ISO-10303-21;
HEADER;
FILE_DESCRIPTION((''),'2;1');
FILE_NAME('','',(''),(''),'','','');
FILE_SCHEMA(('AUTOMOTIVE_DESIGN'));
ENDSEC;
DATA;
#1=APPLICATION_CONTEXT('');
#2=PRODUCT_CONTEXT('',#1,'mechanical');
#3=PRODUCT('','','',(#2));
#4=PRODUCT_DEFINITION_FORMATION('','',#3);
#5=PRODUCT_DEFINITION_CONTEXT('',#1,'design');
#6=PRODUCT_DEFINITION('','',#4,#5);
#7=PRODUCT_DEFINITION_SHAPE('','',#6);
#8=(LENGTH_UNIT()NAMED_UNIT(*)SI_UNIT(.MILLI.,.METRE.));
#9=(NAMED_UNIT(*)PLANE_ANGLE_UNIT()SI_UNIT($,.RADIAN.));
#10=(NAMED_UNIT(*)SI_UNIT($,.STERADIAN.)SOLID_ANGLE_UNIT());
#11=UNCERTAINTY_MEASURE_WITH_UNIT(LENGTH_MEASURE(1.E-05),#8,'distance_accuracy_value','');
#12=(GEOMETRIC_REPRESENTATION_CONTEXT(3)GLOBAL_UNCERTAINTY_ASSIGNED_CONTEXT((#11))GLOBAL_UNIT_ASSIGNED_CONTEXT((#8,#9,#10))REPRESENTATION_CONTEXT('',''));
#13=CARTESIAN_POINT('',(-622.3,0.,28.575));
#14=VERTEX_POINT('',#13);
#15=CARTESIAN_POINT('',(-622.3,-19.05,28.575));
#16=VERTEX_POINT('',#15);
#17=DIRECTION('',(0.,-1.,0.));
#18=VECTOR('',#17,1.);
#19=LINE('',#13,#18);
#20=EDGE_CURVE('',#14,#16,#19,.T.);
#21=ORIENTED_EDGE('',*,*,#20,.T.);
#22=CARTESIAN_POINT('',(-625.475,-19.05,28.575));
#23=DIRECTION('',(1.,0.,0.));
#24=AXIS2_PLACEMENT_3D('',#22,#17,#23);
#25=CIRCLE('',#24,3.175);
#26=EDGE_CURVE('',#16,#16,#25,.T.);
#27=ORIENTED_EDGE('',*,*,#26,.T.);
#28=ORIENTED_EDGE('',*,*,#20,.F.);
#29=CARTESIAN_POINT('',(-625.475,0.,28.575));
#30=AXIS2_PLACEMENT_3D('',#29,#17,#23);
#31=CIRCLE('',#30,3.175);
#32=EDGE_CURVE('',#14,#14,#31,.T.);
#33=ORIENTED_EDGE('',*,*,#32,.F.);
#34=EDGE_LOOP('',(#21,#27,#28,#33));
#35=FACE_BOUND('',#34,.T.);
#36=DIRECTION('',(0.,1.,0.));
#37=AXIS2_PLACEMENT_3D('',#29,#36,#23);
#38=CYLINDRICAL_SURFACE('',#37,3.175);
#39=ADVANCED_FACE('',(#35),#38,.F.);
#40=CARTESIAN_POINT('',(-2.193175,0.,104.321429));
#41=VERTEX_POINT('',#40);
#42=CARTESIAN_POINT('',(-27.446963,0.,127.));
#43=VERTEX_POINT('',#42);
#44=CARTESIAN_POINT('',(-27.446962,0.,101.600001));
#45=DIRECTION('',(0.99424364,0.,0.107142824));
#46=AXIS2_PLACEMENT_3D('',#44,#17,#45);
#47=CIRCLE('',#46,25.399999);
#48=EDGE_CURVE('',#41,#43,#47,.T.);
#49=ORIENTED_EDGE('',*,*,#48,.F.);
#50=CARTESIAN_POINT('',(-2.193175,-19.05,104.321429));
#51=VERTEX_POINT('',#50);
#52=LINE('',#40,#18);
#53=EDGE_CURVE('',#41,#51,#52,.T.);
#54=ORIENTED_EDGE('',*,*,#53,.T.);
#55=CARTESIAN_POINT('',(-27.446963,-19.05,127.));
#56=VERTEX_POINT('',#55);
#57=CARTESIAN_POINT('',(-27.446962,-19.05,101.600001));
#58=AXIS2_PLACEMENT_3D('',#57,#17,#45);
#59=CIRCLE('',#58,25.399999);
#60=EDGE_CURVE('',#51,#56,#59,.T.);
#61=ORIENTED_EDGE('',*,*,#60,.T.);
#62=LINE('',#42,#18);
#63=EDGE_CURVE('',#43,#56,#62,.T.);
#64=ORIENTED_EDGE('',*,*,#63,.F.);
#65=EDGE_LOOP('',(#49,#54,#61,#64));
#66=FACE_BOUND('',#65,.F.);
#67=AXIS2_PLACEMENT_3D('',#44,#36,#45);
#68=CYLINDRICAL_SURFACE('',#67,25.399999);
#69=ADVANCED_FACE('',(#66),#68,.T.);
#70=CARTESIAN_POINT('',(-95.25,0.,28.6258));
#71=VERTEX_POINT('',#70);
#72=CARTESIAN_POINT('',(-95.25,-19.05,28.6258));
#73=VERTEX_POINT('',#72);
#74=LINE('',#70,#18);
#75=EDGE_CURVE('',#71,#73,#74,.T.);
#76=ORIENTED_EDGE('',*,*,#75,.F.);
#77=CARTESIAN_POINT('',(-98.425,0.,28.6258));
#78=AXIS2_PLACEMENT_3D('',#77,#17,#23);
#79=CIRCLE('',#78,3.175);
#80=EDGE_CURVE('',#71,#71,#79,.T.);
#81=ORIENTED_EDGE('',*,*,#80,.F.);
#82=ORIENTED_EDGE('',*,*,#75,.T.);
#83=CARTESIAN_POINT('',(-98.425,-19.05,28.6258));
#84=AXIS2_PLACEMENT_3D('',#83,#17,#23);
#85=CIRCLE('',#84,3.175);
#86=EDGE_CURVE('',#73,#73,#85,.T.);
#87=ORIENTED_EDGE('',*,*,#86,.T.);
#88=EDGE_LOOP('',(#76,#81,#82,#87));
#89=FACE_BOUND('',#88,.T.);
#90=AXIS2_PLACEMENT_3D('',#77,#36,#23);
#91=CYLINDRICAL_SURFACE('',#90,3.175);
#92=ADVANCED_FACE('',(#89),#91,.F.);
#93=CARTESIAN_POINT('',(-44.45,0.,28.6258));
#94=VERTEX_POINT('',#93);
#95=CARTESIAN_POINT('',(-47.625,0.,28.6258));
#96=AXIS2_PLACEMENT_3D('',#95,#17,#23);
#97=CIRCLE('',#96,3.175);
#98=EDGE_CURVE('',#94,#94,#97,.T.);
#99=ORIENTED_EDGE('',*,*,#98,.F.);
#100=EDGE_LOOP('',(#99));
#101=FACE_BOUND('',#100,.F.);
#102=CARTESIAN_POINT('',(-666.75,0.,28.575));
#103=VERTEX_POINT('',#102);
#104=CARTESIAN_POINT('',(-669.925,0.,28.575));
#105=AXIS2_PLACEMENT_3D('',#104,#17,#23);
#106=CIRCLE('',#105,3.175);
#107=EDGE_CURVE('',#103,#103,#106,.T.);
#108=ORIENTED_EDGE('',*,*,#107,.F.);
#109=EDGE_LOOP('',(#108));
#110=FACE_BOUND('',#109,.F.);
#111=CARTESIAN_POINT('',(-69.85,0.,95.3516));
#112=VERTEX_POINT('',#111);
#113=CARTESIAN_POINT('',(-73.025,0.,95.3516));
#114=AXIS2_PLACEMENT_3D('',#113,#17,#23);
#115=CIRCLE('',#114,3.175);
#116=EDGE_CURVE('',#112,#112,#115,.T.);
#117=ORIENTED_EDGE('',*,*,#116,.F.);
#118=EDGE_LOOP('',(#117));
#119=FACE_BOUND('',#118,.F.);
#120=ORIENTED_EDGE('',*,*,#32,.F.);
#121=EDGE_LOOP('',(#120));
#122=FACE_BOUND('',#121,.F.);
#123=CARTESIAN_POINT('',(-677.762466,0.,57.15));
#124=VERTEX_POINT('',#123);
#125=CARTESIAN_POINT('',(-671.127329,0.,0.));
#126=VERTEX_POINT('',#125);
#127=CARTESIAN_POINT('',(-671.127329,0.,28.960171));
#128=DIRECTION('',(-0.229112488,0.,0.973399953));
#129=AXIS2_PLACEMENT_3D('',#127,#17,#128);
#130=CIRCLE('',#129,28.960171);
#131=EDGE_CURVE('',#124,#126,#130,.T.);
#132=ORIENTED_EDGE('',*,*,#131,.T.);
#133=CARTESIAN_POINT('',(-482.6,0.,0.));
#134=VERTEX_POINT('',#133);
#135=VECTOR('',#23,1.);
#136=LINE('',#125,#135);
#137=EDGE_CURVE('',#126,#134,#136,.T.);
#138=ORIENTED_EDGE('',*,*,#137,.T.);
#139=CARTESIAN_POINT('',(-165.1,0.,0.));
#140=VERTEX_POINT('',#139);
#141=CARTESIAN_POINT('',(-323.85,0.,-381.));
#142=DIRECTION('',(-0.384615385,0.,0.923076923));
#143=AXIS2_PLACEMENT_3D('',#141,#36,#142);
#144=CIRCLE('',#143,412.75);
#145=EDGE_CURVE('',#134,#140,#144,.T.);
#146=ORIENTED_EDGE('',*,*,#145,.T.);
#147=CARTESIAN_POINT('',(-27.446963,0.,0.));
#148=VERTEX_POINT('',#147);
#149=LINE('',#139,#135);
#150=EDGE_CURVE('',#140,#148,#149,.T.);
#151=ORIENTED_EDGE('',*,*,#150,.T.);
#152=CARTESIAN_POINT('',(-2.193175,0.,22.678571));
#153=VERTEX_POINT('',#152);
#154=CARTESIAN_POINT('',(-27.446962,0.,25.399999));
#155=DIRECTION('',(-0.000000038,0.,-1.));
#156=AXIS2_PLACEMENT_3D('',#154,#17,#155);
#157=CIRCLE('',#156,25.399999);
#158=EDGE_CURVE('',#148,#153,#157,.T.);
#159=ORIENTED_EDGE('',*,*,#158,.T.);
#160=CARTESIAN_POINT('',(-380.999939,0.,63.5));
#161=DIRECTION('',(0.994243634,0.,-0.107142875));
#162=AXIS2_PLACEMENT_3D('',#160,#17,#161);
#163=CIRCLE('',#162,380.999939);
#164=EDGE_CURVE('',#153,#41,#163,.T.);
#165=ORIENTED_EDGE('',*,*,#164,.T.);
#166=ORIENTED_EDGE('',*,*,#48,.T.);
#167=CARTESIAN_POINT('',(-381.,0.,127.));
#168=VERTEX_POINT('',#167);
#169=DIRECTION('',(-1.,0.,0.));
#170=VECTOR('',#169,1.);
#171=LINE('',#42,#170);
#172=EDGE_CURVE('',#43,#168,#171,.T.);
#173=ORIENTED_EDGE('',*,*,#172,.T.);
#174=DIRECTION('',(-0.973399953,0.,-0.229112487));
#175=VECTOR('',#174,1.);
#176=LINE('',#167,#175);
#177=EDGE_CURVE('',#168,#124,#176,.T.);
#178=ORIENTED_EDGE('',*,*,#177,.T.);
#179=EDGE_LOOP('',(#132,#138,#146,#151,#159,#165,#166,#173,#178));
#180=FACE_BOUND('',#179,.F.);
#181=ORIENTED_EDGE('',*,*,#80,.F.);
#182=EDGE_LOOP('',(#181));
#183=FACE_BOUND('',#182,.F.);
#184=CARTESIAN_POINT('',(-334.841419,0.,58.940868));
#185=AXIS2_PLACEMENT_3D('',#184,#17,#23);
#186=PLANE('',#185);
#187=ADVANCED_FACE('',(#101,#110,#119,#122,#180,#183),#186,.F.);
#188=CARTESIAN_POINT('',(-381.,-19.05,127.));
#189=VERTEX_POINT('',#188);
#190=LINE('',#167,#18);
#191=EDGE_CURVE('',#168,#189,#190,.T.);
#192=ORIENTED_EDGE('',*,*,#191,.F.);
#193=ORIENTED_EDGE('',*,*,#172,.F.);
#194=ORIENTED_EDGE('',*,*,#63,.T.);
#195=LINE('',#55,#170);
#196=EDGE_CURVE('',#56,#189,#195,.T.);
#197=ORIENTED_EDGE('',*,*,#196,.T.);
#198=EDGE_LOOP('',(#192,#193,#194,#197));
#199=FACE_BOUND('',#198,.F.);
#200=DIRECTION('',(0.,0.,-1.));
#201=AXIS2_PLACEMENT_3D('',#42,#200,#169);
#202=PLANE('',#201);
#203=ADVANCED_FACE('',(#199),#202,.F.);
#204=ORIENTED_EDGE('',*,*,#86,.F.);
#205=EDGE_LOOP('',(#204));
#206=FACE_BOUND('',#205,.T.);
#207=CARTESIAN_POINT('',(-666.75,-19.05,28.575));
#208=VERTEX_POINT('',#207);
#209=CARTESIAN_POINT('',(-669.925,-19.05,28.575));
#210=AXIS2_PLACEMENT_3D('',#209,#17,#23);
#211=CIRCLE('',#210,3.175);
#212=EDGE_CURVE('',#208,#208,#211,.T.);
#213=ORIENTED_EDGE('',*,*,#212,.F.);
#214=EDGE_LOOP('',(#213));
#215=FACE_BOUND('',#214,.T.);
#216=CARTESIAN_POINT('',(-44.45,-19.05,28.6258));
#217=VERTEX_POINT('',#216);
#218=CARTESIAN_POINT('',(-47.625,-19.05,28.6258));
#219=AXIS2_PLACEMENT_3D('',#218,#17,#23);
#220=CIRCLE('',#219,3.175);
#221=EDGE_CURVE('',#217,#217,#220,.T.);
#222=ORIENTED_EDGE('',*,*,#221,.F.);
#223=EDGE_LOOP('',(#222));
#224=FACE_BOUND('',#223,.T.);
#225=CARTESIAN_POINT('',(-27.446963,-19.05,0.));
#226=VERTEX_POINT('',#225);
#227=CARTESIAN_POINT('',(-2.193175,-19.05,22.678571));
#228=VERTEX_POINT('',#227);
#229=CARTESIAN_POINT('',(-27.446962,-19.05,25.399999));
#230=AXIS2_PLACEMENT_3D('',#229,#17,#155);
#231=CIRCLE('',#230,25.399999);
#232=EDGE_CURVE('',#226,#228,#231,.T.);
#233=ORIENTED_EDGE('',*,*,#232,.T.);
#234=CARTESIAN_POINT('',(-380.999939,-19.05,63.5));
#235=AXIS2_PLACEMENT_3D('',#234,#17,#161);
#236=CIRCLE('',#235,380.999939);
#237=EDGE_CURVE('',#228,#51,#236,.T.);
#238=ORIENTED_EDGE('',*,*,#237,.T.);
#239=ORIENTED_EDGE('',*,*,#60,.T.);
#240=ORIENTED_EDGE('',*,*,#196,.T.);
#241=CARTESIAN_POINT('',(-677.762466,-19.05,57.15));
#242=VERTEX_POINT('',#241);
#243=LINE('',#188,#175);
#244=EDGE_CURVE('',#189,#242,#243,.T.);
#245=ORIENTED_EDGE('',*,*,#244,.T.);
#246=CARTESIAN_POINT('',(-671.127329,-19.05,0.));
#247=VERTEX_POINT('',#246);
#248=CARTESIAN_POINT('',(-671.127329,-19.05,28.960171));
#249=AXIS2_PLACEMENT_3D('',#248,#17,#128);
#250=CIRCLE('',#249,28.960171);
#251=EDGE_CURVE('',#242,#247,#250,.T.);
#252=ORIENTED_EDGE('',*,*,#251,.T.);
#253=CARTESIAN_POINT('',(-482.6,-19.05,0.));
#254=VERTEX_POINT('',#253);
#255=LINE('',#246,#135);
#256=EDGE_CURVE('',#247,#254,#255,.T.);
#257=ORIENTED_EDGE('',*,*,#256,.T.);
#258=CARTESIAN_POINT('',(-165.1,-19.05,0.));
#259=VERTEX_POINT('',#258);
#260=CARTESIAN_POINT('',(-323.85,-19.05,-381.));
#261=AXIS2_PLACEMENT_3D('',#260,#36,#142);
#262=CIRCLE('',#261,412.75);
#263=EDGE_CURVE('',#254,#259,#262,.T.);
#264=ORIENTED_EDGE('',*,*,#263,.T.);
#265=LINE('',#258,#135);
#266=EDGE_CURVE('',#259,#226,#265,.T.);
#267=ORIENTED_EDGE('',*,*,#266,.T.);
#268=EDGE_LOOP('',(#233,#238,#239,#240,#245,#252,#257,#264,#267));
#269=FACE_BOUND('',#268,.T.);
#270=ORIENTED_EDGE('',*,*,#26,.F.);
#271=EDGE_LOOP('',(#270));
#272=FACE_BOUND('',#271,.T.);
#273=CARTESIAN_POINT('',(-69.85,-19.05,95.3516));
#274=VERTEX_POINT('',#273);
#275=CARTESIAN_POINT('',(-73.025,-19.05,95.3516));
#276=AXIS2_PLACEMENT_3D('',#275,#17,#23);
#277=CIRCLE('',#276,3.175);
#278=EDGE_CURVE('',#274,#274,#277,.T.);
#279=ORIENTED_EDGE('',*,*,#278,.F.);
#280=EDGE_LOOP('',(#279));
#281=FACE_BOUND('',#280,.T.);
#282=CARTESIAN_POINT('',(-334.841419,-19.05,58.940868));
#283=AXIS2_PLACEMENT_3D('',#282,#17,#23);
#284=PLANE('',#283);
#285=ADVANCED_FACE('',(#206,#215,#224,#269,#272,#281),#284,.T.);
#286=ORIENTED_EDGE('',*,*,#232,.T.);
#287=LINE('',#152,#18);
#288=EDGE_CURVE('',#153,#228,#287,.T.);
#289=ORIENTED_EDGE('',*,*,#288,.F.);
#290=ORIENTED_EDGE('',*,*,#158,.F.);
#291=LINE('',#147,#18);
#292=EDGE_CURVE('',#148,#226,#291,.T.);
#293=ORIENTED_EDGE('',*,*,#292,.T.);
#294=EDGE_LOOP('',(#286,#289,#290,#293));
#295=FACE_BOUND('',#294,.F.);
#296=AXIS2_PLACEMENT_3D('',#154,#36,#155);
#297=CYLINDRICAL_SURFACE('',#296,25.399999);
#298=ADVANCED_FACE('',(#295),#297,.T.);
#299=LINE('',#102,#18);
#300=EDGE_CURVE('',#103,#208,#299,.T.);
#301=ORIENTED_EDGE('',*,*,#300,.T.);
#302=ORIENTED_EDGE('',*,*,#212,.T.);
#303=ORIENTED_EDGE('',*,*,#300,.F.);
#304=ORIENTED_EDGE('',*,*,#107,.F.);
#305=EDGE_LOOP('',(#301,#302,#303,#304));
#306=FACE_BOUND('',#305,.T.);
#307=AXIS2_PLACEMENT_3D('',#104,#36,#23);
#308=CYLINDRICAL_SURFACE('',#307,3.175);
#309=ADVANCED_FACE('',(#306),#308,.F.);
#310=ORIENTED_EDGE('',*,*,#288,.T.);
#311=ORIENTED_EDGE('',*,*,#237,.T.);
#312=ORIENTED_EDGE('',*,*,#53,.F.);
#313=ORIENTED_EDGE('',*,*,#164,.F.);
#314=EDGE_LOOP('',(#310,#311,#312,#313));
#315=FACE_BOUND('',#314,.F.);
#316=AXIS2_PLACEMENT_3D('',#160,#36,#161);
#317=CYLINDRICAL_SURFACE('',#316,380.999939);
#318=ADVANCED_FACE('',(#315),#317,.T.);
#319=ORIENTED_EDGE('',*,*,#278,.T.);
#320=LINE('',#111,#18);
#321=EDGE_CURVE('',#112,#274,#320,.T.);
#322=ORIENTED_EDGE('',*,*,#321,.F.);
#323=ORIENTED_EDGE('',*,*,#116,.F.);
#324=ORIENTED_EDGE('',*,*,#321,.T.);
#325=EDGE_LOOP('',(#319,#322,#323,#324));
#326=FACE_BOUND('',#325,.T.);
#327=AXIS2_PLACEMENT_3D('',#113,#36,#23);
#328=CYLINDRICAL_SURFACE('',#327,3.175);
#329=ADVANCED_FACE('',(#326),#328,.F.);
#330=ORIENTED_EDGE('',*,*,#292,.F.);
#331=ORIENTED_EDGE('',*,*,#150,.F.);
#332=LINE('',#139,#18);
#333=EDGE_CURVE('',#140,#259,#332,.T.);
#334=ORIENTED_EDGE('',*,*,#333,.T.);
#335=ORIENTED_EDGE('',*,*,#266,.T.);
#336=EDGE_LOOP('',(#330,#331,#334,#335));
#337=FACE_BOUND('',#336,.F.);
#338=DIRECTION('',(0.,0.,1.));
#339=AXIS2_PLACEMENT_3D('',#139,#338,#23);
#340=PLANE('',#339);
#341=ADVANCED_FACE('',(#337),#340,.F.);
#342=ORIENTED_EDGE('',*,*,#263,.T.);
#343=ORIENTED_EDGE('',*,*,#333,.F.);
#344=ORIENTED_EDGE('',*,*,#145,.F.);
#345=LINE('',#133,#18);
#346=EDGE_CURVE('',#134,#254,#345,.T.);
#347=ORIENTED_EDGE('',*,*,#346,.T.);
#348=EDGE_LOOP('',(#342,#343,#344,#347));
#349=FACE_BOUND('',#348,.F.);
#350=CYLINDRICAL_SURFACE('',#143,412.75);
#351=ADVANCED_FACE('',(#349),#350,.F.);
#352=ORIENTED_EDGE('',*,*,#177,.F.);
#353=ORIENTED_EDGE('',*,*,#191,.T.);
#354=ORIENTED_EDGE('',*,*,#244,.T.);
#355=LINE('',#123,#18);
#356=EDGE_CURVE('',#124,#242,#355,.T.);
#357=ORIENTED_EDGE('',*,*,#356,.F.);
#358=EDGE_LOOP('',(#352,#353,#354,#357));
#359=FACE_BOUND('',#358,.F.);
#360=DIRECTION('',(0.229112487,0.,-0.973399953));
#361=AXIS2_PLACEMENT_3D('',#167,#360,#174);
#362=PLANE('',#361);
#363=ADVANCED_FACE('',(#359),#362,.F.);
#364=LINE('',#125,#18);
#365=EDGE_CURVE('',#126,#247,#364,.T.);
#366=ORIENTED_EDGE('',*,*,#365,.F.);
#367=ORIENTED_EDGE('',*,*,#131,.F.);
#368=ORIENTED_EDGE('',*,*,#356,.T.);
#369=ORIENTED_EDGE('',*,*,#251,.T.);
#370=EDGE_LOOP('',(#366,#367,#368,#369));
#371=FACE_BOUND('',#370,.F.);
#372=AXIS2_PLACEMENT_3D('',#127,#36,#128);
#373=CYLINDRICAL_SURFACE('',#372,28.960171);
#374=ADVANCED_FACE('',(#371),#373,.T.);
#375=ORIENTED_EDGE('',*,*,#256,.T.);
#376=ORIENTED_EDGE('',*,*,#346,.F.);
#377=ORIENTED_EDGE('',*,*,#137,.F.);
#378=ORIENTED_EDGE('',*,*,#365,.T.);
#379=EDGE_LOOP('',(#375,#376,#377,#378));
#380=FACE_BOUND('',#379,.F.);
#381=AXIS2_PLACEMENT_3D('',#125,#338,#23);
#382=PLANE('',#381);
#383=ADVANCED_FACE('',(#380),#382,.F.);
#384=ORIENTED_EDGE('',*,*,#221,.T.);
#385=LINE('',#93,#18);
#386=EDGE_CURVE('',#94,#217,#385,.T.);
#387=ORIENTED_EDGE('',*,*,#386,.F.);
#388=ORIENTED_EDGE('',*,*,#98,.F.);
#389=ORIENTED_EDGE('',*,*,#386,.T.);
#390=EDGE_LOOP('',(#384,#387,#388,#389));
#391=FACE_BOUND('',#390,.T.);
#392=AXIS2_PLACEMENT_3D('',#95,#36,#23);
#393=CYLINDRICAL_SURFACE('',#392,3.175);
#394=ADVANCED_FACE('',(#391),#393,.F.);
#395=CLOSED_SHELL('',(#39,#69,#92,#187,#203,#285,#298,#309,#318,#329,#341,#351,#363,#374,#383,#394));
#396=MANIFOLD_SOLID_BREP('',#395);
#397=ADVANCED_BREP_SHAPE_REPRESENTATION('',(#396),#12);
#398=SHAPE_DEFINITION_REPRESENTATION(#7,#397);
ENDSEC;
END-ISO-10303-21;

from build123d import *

# Parameters (mm, degrees)
F0_R     = 3.175
F1_DEPTH = 19.05


with BuildPart() as f1:
    # F0 (on Front) → F1 (new body)
    with BuildSketch(Plane.XZ):
        with BuildLine():
            ThreePointArc((-2.193175, 104.321429), (-10.475874, 120.498205), (-27.446963, 127))
            Line((-27.446963, 127), (-381, 127))
            Line((-381, 127), (-677.762466, 57.15))
            ThreePointArc((-677.762466, 57.15), (-699.89427, 25.620318), (-671.127329, 0))
            Line((-671.127329, 0), (-482.6, 0))
            ThreePointArc((-482.6, 0), (-323.85, 31.75), (-165.1, 0))
            Line((-165.1, 0), (-27.446963, 0))
            ThreePointArc((-27.446963, 0), (-10.475874, 6.501795), (-2.193175, 22.678571))
            ThreePointArc((-2.193175, 22.678571), (0, 63.5), (-2.193175, 104.321429))
        make_face()
        with Locations((-669.925, 28.575)):
            Circle(F0_R, mode=Mode.SUBTRACT)
        with Locations((-625.475, 28.575)):
            Circle(F0_R, mode=Mode.SUBTRACT)
        with Locations((-98.425, 28.6258)):
            Circle(F0_R, mode=Mode.SUBTRACT)
        with Locations((-47.625, 28.6258)):
            Circle(F0_R, mode=Mode.SUBTRACT)
        with Locations((-73.025, 95.3516)):
            Circle(F0_R, mode=Mode.SUBTRACT)
    extrude(amount=F1_DEPTH)


solid = f1.part
